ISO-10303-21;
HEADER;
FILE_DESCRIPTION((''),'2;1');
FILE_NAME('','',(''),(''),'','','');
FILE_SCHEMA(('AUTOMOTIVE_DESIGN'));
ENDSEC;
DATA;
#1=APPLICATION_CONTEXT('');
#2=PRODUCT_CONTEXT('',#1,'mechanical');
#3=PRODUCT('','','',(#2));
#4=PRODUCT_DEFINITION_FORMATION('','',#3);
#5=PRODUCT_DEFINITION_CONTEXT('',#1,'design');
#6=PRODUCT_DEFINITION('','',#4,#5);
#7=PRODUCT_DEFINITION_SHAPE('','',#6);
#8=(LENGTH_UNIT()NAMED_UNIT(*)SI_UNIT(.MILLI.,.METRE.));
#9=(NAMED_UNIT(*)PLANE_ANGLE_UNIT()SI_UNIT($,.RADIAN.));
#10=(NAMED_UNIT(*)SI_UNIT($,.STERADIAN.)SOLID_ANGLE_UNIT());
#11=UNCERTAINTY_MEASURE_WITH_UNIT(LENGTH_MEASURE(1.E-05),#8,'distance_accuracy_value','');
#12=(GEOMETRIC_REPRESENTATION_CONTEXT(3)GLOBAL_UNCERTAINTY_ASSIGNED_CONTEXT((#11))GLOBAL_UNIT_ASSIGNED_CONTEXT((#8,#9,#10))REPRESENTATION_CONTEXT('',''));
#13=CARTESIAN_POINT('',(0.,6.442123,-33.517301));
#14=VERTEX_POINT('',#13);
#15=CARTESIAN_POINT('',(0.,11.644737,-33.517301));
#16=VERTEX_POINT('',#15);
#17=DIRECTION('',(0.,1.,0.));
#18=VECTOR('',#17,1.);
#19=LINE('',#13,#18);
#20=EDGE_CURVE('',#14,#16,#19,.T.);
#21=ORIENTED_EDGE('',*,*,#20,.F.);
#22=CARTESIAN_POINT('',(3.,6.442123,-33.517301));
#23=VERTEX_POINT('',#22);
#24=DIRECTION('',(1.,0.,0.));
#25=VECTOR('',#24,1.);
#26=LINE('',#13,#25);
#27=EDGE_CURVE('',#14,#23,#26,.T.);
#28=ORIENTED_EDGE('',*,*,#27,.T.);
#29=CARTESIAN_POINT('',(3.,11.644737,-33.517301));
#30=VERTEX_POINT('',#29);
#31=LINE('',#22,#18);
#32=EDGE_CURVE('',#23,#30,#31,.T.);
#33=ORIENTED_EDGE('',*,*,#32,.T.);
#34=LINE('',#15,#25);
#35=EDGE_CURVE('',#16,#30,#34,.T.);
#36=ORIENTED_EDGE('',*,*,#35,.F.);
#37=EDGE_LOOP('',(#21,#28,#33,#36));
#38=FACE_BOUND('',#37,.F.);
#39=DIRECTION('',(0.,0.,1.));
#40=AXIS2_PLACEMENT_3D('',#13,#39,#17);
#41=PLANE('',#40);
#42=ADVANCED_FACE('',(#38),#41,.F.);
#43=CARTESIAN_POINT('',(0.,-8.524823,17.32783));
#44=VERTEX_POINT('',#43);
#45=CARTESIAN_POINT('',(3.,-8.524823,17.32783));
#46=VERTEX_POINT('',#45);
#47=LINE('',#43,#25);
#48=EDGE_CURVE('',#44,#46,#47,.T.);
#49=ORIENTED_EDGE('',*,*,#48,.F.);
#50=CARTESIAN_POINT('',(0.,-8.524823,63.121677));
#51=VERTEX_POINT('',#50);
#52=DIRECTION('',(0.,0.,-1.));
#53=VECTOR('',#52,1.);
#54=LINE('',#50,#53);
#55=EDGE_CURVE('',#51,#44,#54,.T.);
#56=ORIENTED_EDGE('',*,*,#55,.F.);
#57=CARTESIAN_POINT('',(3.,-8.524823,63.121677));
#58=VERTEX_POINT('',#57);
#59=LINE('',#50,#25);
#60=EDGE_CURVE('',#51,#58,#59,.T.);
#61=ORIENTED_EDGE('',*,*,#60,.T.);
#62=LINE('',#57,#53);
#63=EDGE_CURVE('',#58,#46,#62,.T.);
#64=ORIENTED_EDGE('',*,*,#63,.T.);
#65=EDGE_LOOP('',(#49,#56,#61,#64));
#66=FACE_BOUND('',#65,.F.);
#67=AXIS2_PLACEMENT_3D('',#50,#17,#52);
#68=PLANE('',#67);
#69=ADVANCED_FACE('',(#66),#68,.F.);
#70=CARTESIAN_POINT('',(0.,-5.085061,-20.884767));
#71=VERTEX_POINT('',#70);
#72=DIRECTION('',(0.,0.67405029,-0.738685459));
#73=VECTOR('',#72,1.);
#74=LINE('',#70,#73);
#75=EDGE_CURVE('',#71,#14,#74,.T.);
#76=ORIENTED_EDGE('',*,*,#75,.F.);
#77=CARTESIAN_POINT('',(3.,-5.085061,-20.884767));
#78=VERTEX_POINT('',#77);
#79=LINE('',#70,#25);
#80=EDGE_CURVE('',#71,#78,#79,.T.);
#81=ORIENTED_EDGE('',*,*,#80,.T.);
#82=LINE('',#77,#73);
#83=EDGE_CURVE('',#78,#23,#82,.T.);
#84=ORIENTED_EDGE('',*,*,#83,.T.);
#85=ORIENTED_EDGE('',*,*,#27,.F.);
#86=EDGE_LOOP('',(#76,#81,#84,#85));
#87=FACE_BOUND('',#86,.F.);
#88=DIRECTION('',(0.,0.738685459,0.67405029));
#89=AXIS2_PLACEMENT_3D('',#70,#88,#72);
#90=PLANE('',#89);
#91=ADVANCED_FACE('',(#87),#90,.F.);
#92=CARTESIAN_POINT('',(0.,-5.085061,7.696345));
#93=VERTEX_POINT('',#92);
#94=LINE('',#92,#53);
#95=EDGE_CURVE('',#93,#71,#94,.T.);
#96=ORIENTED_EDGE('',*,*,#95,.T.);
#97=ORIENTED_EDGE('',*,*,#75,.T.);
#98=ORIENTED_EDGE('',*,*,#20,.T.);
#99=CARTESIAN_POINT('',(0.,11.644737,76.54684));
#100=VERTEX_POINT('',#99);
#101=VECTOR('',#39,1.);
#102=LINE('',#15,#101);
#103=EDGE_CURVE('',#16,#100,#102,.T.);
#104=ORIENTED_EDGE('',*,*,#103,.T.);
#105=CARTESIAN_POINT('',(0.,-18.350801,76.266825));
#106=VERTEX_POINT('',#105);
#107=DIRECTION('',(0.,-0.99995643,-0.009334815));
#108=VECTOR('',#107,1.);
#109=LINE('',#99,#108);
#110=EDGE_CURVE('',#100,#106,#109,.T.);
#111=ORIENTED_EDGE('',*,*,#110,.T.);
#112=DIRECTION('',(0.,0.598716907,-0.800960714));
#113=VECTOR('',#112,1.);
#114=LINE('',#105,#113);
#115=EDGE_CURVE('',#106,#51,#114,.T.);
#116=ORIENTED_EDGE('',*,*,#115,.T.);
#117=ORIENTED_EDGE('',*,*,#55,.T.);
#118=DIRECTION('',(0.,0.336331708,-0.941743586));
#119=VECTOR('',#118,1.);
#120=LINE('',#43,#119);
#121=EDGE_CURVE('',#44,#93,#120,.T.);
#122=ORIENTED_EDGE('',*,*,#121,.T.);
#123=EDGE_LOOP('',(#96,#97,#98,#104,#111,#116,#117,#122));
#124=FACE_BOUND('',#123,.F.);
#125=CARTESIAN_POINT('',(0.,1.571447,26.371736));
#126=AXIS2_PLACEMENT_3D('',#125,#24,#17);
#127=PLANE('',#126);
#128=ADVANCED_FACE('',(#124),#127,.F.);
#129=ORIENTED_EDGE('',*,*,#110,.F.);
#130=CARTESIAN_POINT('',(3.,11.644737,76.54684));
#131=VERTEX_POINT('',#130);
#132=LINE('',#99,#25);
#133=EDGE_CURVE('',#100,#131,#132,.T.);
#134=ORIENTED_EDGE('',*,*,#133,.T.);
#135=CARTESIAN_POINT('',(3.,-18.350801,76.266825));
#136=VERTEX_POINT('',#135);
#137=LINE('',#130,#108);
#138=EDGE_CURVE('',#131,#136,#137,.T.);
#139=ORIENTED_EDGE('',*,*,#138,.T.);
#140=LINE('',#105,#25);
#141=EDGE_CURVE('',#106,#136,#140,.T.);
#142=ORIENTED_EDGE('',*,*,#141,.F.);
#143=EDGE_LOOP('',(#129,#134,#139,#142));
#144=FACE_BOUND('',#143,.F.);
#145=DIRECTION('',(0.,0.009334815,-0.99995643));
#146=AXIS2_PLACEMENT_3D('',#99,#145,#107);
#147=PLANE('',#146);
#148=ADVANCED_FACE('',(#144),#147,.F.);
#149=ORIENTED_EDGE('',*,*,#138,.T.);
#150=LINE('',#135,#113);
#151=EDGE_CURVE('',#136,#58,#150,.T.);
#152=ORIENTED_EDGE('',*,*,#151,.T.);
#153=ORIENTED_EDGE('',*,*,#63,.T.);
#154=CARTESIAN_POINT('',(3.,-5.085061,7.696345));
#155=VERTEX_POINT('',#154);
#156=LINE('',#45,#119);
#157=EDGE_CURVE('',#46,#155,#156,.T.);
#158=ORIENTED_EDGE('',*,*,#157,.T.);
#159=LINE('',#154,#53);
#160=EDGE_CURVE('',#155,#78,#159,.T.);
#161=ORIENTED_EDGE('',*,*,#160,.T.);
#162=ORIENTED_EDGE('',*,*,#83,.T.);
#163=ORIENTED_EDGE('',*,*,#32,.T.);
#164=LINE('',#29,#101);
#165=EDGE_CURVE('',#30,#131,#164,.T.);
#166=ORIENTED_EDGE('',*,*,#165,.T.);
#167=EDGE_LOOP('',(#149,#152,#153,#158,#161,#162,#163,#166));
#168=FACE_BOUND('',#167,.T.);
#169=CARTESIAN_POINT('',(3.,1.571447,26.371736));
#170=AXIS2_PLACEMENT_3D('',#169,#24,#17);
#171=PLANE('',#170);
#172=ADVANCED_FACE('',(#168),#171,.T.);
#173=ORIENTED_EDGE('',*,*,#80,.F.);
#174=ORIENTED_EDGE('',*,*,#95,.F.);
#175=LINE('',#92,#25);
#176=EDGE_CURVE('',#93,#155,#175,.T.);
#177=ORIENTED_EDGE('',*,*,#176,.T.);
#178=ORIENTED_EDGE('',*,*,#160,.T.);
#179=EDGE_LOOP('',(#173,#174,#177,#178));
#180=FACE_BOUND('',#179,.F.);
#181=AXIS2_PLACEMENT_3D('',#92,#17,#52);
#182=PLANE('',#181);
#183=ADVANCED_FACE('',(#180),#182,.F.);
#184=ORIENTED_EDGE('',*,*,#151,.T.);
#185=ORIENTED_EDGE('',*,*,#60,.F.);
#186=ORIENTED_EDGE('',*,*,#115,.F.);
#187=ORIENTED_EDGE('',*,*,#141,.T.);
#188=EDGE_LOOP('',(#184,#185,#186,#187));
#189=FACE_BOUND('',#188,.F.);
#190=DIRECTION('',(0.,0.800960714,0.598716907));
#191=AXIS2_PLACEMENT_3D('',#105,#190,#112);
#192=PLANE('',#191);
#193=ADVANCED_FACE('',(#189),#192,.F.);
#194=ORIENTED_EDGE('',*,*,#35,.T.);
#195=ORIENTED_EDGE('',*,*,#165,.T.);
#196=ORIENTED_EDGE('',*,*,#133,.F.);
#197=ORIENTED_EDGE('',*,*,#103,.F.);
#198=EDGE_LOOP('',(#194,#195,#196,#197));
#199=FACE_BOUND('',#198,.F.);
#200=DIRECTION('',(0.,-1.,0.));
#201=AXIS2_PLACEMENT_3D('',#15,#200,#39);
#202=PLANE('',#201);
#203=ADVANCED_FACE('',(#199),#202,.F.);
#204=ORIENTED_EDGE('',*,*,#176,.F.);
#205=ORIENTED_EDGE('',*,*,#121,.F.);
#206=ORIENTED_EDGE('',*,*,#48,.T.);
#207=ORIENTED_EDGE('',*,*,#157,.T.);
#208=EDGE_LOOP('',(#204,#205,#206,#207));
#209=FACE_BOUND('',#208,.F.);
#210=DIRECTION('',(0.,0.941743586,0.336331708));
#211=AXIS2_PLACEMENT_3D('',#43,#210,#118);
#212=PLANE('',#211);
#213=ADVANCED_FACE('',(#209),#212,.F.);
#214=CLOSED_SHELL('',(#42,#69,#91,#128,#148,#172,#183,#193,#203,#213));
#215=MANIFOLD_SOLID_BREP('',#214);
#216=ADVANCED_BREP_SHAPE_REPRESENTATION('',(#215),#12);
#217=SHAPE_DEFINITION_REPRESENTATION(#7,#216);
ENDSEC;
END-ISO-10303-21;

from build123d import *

# Parameters (mm, degrees)
F1_DEPTH = 3


with BuildPart() as f1:
    # F0 (on Right) → F1 (new body)
    with BuildSketch(Plane.YZ):
        Polygon((6.442123, -33.517301), (11.644737, -33.517301), (11.644737, 76.54684), (-18.350801, 76.266825), (-8.524823, 63.121677), (-8.524823, 17.32783), (-5.085061, 7.696345), (-5.085061, -4.146606), (-5.085061, -20.884767), align=None)
    extrude(amount=F1_DEPTH)


solid = f1.part
